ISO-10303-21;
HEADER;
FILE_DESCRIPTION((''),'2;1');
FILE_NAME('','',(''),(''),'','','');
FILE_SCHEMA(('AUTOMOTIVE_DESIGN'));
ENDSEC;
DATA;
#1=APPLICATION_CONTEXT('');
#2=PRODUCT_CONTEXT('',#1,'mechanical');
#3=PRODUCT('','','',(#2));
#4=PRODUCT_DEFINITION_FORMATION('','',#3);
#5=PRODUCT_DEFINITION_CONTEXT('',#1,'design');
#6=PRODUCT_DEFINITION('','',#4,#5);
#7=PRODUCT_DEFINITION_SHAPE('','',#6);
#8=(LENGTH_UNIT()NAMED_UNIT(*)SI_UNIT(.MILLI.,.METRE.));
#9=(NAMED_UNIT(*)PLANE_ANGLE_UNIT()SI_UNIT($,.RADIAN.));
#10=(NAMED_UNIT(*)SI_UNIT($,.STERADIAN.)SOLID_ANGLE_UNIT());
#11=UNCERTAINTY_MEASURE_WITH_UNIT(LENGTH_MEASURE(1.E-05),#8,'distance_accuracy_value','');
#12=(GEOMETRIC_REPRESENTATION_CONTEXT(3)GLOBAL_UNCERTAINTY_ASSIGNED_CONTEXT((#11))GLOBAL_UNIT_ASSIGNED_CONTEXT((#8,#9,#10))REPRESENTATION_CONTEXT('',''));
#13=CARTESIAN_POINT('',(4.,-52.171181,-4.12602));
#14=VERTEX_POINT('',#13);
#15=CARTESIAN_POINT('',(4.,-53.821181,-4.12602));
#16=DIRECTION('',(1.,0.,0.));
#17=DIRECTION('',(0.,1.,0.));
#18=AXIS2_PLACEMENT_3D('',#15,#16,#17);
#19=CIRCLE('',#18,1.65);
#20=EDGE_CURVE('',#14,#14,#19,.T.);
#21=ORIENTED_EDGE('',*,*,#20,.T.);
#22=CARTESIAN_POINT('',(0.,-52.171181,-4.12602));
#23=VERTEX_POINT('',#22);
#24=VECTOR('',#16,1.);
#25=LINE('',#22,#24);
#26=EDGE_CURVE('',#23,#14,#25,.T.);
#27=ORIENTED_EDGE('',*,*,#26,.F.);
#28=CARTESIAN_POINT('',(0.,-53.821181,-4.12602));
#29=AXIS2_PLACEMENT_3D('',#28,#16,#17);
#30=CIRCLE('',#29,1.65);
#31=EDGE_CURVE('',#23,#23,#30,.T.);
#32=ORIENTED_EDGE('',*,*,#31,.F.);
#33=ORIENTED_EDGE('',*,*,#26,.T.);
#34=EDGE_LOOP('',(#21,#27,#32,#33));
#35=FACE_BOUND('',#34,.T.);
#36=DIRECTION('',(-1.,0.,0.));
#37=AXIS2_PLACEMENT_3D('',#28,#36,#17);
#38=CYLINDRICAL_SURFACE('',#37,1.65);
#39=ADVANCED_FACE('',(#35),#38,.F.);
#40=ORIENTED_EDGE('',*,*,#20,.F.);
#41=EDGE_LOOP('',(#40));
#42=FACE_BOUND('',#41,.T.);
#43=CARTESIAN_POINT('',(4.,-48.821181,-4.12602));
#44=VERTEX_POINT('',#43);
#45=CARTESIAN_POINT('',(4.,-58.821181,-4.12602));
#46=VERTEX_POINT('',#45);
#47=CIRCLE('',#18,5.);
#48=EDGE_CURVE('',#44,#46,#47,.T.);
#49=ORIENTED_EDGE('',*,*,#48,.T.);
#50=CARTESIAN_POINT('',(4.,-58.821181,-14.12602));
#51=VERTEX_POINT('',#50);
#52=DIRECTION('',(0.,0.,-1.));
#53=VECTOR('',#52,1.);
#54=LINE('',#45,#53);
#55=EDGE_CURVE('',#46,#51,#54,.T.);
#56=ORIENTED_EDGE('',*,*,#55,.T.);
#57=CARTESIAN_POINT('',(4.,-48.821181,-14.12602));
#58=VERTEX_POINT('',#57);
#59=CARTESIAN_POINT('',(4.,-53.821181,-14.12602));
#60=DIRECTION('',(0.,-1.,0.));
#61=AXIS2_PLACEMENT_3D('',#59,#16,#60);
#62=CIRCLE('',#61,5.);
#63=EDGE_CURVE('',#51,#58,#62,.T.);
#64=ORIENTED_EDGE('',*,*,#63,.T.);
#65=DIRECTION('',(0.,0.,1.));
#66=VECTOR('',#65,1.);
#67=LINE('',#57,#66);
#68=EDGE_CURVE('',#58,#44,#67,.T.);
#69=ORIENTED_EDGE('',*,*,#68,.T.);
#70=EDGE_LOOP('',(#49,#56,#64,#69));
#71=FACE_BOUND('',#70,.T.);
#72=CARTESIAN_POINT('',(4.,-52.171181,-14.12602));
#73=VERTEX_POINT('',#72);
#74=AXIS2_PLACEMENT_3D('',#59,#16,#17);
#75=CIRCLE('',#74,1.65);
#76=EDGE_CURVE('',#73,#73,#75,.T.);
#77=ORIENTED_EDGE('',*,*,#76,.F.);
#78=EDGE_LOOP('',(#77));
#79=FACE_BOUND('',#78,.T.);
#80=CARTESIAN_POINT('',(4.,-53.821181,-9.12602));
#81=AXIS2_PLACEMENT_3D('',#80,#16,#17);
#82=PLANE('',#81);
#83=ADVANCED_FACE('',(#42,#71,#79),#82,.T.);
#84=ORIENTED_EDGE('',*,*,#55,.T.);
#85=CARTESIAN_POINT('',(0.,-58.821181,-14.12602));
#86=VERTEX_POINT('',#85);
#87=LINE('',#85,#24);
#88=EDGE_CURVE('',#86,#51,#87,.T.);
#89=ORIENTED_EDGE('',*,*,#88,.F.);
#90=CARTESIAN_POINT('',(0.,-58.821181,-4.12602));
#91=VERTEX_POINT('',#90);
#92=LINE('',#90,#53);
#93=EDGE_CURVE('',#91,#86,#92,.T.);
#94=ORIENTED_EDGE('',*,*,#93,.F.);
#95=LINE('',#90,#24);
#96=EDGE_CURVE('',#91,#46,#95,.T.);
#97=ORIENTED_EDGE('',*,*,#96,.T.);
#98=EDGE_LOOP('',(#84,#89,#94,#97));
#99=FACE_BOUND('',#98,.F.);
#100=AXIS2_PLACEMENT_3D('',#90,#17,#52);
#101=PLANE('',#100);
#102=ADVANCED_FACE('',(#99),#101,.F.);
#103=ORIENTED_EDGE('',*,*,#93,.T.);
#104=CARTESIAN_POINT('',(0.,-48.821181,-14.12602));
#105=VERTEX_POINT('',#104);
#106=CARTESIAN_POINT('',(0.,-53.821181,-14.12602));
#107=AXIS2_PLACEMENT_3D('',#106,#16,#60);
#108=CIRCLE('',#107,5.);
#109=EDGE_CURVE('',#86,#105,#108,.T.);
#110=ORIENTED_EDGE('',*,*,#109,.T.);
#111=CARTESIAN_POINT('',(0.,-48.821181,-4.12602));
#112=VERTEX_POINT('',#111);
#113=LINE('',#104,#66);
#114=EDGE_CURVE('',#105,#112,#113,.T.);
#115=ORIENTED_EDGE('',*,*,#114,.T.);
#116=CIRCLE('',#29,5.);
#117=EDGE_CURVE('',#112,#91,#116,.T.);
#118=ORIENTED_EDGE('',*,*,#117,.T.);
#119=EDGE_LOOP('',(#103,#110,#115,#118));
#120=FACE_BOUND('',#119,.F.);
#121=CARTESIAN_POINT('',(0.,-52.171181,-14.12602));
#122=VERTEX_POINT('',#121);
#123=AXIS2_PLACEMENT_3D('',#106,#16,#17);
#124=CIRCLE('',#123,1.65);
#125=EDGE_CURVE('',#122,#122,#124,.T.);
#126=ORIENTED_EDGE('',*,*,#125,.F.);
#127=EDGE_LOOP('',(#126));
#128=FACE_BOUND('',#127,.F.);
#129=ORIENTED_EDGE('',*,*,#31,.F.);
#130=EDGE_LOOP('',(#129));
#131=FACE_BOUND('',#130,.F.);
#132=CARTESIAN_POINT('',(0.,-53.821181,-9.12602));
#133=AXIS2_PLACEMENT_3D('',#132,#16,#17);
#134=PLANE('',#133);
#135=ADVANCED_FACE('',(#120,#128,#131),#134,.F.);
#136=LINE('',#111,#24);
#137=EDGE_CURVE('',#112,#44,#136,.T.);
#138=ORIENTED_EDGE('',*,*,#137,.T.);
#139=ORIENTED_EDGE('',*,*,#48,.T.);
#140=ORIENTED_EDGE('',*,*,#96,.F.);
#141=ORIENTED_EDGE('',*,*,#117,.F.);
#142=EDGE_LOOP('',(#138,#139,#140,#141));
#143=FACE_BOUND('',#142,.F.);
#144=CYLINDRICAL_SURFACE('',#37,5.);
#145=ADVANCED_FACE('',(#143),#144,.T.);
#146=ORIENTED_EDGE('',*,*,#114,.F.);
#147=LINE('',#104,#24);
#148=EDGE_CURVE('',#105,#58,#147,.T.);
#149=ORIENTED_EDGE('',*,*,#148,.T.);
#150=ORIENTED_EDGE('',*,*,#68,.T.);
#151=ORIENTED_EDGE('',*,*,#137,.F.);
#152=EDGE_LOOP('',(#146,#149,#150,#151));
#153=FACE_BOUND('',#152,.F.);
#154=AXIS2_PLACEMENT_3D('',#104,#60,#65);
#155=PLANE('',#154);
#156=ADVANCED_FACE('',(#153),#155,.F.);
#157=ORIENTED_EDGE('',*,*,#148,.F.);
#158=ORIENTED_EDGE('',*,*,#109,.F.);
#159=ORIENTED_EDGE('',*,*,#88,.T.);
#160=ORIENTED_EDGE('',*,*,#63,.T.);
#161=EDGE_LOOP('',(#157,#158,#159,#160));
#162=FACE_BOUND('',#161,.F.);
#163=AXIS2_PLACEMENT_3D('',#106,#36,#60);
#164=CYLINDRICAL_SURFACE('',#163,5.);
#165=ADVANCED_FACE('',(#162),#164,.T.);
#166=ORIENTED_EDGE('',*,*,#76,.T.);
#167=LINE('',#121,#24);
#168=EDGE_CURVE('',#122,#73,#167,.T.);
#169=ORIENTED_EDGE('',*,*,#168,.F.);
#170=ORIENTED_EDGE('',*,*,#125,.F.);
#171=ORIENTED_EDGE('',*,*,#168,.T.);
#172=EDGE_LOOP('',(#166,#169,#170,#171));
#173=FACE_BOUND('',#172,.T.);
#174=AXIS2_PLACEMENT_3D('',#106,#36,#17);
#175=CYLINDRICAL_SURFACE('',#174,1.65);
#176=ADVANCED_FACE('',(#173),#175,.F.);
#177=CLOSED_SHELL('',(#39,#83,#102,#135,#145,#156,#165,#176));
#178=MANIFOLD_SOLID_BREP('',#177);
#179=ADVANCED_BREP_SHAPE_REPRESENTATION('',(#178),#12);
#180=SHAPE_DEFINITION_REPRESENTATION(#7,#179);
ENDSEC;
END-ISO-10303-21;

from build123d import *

# Parameters (mm, degrees)
F0_R     = 1.65
F1_DEPTH = 4


with BuildPart() as f1:
    # F0 (on Right) → F1 (new body)
    with BuildSketch(Plane.YZ):
        with BuildLine():
            ThreePointArc((-48.821181, -4.12602), (-53.821181, 0.87398), (-58.821181, -4.12602))
            Line((-58.821181, -4.12602), (-58.821181, -14.12602))
            ThreePointArc((-58.821181, -14.12602), (-53.821181, -19.12602), (-48.821181, -14.12602))
            Line((-48.821181, -14.12602), (-48.821181, -4.12602))
        make_face()
        with Locations((-53.821181, -14.12602)):
            Circle(F0_R, mode=Mode.SUBTRACT)
        with Locations((-53.821181, -4.12602)):
            Circle(F0_R, mode=Mode.SUBTRACT)
    extrude(amount=F1_DEPTH)


solid = f1.part
